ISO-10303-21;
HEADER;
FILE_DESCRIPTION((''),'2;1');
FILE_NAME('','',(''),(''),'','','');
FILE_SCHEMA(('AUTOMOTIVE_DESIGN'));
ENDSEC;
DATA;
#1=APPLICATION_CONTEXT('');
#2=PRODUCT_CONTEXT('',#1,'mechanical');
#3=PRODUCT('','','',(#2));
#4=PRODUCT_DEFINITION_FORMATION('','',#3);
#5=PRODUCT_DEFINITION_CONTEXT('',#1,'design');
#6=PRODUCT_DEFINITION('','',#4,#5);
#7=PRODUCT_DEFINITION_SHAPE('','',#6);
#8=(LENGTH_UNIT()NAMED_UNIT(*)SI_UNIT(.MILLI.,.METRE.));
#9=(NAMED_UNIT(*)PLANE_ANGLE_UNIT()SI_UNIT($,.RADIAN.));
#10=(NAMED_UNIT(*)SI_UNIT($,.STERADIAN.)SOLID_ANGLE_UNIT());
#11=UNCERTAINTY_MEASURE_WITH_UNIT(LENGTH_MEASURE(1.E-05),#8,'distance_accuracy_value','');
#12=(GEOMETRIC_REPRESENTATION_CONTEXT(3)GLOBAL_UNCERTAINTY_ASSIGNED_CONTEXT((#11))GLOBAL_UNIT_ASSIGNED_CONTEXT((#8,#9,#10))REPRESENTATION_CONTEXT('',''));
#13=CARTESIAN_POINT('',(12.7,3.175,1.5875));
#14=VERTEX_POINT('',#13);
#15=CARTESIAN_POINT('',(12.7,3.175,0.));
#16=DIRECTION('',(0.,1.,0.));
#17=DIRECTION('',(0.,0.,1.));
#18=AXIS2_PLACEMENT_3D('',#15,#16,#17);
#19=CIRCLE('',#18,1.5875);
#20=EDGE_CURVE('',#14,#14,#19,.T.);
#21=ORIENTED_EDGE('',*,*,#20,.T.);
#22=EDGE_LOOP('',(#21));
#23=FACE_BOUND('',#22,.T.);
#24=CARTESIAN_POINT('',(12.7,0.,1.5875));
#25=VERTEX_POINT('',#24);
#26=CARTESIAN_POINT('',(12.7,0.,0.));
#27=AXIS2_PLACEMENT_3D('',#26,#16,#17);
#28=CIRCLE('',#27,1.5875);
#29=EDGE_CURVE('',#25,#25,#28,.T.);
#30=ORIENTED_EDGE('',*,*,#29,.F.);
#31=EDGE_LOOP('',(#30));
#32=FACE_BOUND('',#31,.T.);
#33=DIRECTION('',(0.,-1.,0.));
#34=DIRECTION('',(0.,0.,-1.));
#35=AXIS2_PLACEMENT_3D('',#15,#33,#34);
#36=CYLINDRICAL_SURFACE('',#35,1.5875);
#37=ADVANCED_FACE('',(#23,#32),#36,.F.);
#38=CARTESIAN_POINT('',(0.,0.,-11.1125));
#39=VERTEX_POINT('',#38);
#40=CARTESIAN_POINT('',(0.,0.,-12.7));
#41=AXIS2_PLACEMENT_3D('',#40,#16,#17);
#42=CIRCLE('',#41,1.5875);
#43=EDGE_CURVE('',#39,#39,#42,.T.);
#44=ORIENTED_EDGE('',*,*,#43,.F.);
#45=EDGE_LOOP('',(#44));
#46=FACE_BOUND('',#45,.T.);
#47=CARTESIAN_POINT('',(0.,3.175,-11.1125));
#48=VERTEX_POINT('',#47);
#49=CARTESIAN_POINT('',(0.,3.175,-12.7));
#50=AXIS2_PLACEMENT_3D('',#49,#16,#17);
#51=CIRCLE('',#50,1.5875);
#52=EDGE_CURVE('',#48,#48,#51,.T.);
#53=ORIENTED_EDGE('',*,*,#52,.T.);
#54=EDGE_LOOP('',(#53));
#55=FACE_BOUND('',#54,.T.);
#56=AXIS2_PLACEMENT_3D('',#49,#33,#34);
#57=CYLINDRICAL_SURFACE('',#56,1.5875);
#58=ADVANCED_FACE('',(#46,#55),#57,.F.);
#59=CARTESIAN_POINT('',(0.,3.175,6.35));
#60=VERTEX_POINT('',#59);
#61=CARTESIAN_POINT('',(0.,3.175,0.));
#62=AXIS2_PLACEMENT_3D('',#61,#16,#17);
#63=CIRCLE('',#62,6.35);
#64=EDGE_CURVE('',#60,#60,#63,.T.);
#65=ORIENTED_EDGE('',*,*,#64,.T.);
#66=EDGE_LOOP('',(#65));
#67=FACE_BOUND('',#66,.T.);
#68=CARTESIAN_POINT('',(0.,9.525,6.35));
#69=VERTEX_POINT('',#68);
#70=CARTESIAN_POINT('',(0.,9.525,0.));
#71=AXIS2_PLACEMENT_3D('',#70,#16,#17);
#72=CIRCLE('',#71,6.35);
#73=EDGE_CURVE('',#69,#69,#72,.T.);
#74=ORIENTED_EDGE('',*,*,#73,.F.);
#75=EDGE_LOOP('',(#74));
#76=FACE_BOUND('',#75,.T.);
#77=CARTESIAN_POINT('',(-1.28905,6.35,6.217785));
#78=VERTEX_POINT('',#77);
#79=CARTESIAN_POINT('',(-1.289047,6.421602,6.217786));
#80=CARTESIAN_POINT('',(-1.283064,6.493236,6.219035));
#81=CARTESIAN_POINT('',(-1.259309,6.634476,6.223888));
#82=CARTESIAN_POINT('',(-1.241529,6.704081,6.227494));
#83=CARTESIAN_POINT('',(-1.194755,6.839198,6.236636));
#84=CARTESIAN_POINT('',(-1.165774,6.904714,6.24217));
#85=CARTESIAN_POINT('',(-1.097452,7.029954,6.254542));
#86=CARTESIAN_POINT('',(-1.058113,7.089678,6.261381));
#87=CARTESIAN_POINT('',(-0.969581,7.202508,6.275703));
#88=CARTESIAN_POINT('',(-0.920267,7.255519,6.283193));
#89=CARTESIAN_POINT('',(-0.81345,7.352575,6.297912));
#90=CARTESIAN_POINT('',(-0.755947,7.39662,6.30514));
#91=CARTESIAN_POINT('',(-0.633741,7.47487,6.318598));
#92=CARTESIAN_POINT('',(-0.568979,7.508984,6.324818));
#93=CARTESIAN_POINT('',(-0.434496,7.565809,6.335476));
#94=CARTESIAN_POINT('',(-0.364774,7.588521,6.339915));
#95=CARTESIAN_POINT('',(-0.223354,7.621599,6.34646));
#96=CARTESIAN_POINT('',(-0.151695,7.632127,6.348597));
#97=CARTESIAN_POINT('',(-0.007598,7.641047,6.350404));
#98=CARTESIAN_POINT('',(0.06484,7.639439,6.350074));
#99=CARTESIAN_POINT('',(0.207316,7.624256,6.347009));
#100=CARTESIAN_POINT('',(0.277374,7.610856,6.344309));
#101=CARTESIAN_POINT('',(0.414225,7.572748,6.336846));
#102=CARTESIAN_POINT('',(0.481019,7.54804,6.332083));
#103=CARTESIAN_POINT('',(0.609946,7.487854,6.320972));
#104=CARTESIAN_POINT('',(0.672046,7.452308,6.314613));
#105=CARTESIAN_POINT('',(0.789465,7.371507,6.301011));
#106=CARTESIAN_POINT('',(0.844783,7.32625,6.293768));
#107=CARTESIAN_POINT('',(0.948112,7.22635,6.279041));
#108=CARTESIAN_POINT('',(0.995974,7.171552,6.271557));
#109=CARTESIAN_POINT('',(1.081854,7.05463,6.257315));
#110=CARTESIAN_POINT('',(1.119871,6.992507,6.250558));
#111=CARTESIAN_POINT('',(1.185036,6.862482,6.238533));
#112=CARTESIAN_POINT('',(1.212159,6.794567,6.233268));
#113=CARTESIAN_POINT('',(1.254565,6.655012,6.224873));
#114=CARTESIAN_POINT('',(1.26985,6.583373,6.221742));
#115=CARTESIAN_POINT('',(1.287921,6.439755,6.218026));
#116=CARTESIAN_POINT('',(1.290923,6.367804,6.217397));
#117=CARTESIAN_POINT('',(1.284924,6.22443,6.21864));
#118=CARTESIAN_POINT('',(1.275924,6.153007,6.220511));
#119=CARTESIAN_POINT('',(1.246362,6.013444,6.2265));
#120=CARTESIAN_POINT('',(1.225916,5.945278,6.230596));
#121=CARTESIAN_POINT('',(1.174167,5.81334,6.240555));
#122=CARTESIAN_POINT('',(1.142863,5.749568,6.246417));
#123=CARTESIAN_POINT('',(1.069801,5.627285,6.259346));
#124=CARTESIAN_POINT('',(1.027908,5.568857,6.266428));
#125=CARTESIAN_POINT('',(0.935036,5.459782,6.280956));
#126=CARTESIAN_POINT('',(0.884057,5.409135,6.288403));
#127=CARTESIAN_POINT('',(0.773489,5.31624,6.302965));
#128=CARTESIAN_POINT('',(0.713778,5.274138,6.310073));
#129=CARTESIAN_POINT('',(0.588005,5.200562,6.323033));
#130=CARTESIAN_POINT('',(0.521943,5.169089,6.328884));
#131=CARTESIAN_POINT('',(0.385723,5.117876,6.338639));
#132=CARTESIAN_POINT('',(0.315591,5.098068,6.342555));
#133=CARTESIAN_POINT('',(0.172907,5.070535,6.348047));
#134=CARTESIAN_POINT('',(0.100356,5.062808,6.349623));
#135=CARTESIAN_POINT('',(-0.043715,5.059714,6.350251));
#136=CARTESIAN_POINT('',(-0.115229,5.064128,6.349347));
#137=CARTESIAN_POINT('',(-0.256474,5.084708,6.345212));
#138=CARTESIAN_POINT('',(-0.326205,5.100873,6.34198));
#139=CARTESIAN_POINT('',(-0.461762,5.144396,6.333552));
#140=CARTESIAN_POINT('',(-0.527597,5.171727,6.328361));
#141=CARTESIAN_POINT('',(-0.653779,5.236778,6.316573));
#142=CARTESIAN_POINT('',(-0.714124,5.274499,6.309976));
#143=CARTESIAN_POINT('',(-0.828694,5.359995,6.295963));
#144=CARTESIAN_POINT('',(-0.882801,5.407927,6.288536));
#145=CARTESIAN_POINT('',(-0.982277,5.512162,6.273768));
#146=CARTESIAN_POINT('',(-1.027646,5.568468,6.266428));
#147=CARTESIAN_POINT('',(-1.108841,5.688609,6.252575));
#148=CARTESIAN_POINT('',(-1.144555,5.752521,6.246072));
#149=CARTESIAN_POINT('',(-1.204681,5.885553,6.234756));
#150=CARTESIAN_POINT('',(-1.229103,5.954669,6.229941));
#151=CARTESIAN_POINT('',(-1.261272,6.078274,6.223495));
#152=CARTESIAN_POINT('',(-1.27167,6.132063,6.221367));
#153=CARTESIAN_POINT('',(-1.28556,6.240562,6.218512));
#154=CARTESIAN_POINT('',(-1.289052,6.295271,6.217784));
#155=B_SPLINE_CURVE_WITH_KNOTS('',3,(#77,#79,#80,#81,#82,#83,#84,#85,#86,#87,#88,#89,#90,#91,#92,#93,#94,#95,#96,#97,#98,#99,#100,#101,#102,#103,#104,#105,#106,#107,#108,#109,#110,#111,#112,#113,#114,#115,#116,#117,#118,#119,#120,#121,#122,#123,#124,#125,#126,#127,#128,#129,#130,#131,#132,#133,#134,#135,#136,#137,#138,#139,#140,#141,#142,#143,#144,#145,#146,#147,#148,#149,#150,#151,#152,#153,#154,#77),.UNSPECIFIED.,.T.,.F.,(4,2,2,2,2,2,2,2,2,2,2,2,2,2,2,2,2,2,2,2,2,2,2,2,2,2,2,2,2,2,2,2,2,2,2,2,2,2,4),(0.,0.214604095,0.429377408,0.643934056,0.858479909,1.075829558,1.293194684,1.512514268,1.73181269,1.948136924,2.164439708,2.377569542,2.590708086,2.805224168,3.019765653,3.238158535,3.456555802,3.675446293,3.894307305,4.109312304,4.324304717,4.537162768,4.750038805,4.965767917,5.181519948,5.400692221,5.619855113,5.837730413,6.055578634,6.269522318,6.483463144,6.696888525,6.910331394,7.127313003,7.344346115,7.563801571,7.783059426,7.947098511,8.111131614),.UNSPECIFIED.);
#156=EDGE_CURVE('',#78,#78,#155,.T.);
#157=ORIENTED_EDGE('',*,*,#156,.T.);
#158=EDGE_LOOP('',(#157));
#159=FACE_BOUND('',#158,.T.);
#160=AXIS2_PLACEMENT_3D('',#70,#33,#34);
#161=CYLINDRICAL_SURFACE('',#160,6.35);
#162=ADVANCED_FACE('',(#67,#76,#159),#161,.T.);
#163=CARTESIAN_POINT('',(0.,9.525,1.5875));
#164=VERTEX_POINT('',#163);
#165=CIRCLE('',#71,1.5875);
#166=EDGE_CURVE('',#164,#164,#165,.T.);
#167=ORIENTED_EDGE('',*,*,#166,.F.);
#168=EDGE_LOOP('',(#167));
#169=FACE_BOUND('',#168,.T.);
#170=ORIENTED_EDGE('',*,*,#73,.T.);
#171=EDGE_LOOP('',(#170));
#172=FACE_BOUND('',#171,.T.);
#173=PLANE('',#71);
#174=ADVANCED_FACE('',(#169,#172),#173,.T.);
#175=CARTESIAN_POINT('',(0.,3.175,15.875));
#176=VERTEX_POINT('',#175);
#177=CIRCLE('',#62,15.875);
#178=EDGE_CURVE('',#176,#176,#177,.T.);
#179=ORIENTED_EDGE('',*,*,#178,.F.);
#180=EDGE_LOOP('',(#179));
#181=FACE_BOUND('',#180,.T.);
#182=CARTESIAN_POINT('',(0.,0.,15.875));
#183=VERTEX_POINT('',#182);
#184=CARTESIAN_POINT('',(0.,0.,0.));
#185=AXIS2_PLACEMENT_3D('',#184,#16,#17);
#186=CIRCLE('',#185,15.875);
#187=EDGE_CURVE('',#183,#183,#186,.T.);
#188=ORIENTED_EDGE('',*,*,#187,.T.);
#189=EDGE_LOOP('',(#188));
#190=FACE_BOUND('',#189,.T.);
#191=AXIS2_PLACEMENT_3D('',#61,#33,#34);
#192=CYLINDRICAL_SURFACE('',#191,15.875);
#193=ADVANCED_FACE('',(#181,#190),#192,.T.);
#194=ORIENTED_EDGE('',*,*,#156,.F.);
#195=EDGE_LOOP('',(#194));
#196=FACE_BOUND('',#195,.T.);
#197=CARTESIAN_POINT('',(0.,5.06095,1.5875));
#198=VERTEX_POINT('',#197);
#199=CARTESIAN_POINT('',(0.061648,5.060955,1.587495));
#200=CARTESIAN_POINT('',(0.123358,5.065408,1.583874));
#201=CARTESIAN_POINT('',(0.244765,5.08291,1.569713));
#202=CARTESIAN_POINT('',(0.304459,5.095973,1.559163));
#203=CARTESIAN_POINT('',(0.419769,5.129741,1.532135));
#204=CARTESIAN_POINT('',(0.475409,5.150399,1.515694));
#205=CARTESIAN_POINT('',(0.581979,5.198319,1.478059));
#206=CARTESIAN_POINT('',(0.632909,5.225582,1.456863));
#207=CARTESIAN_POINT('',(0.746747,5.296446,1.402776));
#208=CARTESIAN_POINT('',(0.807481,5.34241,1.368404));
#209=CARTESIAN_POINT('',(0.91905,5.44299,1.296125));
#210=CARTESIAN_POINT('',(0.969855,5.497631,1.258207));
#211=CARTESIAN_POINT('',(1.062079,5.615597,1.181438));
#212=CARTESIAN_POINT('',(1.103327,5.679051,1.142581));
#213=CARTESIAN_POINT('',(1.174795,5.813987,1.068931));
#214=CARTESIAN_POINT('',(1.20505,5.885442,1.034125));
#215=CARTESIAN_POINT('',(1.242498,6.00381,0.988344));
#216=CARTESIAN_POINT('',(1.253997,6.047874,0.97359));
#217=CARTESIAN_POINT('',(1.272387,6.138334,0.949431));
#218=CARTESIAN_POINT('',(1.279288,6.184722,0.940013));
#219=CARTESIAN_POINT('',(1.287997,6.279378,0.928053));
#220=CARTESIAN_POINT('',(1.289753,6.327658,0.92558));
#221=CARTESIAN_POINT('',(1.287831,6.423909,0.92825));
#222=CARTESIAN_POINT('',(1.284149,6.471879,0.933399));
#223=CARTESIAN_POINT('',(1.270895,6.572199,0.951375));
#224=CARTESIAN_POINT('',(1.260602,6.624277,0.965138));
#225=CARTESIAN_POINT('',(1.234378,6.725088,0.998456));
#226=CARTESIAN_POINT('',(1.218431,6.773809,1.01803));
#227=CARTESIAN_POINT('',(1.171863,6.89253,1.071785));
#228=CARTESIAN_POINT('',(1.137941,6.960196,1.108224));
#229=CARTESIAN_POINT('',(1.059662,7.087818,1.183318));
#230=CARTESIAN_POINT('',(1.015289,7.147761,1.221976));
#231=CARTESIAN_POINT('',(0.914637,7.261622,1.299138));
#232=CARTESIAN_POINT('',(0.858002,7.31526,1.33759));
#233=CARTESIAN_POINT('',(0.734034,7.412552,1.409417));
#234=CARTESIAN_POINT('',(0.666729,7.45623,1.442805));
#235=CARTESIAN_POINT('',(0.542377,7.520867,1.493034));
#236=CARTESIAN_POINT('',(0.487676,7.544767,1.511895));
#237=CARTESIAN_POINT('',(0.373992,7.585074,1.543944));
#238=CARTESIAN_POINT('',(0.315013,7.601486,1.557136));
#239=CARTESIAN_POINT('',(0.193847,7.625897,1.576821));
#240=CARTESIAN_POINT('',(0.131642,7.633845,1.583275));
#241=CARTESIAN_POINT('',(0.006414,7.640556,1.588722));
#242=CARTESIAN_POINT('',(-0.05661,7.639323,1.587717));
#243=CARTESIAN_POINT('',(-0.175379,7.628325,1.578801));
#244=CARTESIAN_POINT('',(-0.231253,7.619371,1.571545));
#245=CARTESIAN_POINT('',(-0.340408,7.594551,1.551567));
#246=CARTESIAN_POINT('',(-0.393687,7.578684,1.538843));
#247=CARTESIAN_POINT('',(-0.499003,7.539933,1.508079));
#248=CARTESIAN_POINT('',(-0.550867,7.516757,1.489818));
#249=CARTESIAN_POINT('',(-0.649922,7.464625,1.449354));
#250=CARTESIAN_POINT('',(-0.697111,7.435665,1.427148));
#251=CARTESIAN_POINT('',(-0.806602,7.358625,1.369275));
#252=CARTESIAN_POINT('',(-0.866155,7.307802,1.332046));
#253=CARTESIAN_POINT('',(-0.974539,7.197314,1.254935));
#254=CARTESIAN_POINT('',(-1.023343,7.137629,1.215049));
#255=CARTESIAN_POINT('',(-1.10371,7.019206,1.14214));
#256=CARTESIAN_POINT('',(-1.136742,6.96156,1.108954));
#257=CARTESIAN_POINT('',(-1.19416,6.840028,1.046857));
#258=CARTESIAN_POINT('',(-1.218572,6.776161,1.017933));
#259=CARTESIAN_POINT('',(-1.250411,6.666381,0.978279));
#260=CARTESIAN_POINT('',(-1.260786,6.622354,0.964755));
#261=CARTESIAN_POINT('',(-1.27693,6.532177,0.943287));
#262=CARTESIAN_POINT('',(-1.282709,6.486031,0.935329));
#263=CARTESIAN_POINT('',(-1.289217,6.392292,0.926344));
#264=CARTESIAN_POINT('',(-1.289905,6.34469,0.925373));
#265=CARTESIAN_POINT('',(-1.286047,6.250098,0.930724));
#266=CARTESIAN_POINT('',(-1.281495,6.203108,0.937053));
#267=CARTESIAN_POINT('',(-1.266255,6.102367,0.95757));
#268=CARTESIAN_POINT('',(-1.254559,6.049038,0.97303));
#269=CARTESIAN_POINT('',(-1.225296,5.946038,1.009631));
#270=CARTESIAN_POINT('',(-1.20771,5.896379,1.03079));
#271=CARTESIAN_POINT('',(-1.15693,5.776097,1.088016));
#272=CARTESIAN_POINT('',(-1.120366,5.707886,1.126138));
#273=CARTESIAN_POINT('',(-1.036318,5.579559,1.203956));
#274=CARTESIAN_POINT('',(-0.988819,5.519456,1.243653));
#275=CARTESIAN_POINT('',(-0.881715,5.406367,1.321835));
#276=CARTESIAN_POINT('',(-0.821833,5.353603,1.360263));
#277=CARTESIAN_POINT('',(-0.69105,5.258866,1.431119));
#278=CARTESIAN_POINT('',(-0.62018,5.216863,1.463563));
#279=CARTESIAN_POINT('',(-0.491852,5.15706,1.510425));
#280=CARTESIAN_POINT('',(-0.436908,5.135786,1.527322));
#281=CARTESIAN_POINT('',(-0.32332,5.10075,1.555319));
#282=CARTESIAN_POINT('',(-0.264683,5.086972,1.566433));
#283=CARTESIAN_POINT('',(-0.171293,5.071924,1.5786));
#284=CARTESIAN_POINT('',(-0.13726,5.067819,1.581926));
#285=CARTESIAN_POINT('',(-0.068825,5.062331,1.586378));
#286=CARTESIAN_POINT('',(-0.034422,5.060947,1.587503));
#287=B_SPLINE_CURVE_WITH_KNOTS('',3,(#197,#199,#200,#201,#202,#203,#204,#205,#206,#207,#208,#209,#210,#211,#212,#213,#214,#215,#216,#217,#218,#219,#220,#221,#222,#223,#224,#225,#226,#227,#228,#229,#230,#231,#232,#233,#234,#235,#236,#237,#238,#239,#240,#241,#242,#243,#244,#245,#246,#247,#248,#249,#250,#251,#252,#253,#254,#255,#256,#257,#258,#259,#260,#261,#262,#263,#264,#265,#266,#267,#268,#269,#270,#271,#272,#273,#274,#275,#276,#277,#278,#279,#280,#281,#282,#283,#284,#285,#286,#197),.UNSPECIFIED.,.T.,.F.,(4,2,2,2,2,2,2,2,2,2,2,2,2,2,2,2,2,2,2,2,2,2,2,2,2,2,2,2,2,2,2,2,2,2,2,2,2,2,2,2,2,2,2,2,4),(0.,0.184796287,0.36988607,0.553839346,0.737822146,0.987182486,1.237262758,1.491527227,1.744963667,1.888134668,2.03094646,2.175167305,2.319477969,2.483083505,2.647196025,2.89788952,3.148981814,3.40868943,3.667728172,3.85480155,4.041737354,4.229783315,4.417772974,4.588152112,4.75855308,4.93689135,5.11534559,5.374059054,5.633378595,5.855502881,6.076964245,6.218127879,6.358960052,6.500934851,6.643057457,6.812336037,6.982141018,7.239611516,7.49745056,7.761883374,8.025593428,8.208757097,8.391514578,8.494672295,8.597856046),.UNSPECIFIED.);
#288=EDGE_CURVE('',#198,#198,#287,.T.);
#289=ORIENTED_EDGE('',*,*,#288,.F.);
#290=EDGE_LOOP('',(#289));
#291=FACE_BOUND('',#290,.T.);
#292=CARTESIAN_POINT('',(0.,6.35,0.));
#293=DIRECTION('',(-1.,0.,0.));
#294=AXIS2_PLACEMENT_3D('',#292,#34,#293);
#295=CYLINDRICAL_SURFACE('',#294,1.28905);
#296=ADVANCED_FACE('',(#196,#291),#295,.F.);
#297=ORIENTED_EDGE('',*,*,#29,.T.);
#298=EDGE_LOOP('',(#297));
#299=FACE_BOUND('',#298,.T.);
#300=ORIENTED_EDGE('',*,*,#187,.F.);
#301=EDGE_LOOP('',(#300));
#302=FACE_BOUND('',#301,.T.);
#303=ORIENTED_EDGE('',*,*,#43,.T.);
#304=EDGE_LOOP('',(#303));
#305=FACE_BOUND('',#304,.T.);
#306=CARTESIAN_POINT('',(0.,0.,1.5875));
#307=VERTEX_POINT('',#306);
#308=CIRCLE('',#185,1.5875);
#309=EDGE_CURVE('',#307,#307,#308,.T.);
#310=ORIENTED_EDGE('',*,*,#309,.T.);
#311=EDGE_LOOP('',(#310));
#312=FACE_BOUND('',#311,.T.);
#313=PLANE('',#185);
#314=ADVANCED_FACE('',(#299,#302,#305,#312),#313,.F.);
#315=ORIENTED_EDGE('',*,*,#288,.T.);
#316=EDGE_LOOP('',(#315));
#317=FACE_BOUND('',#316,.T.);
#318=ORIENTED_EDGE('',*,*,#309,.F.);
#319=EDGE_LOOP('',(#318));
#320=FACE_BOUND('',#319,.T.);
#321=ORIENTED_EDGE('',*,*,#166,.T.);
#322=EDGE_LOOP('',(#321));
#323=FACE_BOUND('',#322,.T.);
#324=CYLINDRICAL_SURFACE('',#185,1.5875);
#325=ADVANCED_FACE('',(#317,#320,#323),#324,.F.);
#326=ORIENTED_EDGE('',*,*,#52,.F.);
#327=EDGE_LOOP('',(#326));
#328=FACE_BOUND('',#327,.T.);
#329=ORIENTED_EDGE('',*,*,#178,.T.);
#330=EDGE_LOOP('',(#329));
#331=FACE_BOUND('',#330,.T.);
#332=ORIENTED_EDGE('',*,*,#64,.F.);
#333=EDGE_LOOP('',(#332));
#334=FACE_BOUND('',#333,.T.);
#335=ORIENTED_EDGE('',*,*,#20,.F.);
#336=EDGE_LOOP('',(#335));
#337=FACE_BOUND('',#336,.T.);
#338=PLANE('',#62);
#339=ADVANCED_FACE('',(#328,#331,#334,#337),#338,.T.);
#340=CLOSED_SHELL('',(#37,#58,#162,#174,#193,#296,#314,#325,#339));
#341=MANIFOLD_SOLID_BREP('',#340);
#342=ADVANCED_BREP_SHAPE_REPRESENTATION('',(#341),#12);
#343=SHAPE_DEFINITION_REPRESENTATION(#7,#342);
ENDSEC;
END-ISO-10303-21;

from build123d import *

# Parameters (mm, degrees)
SKETCH1_R           = 15.875
SKETCH1_R_2         = 1.5875
BOSS_EXTRUDE1_DEPTH = 3.175
SKETCH2_R           = 6.35
BOSS_EXTRUDE2_DEPTH = 6.35
SKETCH3_R           = 1.5875
CUT_EXTRUDE1_DEPTH  = 10.525


with BuildPart() as part:
    # Sketch1 → Boss-Extrude1 (new body)
    with BuildSketch(Plane(origin=(0, 0, 0), x_dir=(1, 0, 0), z_dir=(0, 1, 0))):
        Circle(SKETCH1_R)
        with Locations((0, 12.7)):
            Circle(SKETCH1_R_2, mode=Mode.SUBTRACT)
        with Locations((12.7, 0)):
            Circle(SKETCH1_R_2, mode=Mode.SUBTRACT)
    extrude(amount=BOSS_EXTRUDE1_DEPTH)

    # Sketch2 → Boss-Extrude2 (add)
    with BuildSketch(Plane(origin=(0, 3.175, 0), x_dir=(1, 0, 0), z_dir=(0, 1, 0))):
        Circle(SKETCH2_R)
    extrude(amount=BOSS_EXTRUDE2_DEPTH)

    # Sketch3 → Cut-Extrude1 (cut, through all)
    with BuildSketch(Plane(origin=(0, 9.525, 0), x_dir=(1, 0, 0), z_dir=(0, 1, 0))):
        Circle(SKETCH3_R)
    extrude(amount=-CUT_EXTRUDE1_DEPTH, mode=Mode.SUBTRACT)

    # Sketch5 → #38 (0.1015) Diameter Hole1 (revolve, cut)
    with BuildSketch(Plane(origin=(0, 6.35, 0), x_dir=(0, 1, 0), z_dir=(1, 0, 0))):
        Polygon((0, 0), (0, 26.174539381), (1.28905, 25.4), (1.28905, 0), align=None)
    revolve(axis=Axis((0, 6.35, -6.35), (0, 0, 1)), mode=Mode.SUBTRACT)


solid = part.part
